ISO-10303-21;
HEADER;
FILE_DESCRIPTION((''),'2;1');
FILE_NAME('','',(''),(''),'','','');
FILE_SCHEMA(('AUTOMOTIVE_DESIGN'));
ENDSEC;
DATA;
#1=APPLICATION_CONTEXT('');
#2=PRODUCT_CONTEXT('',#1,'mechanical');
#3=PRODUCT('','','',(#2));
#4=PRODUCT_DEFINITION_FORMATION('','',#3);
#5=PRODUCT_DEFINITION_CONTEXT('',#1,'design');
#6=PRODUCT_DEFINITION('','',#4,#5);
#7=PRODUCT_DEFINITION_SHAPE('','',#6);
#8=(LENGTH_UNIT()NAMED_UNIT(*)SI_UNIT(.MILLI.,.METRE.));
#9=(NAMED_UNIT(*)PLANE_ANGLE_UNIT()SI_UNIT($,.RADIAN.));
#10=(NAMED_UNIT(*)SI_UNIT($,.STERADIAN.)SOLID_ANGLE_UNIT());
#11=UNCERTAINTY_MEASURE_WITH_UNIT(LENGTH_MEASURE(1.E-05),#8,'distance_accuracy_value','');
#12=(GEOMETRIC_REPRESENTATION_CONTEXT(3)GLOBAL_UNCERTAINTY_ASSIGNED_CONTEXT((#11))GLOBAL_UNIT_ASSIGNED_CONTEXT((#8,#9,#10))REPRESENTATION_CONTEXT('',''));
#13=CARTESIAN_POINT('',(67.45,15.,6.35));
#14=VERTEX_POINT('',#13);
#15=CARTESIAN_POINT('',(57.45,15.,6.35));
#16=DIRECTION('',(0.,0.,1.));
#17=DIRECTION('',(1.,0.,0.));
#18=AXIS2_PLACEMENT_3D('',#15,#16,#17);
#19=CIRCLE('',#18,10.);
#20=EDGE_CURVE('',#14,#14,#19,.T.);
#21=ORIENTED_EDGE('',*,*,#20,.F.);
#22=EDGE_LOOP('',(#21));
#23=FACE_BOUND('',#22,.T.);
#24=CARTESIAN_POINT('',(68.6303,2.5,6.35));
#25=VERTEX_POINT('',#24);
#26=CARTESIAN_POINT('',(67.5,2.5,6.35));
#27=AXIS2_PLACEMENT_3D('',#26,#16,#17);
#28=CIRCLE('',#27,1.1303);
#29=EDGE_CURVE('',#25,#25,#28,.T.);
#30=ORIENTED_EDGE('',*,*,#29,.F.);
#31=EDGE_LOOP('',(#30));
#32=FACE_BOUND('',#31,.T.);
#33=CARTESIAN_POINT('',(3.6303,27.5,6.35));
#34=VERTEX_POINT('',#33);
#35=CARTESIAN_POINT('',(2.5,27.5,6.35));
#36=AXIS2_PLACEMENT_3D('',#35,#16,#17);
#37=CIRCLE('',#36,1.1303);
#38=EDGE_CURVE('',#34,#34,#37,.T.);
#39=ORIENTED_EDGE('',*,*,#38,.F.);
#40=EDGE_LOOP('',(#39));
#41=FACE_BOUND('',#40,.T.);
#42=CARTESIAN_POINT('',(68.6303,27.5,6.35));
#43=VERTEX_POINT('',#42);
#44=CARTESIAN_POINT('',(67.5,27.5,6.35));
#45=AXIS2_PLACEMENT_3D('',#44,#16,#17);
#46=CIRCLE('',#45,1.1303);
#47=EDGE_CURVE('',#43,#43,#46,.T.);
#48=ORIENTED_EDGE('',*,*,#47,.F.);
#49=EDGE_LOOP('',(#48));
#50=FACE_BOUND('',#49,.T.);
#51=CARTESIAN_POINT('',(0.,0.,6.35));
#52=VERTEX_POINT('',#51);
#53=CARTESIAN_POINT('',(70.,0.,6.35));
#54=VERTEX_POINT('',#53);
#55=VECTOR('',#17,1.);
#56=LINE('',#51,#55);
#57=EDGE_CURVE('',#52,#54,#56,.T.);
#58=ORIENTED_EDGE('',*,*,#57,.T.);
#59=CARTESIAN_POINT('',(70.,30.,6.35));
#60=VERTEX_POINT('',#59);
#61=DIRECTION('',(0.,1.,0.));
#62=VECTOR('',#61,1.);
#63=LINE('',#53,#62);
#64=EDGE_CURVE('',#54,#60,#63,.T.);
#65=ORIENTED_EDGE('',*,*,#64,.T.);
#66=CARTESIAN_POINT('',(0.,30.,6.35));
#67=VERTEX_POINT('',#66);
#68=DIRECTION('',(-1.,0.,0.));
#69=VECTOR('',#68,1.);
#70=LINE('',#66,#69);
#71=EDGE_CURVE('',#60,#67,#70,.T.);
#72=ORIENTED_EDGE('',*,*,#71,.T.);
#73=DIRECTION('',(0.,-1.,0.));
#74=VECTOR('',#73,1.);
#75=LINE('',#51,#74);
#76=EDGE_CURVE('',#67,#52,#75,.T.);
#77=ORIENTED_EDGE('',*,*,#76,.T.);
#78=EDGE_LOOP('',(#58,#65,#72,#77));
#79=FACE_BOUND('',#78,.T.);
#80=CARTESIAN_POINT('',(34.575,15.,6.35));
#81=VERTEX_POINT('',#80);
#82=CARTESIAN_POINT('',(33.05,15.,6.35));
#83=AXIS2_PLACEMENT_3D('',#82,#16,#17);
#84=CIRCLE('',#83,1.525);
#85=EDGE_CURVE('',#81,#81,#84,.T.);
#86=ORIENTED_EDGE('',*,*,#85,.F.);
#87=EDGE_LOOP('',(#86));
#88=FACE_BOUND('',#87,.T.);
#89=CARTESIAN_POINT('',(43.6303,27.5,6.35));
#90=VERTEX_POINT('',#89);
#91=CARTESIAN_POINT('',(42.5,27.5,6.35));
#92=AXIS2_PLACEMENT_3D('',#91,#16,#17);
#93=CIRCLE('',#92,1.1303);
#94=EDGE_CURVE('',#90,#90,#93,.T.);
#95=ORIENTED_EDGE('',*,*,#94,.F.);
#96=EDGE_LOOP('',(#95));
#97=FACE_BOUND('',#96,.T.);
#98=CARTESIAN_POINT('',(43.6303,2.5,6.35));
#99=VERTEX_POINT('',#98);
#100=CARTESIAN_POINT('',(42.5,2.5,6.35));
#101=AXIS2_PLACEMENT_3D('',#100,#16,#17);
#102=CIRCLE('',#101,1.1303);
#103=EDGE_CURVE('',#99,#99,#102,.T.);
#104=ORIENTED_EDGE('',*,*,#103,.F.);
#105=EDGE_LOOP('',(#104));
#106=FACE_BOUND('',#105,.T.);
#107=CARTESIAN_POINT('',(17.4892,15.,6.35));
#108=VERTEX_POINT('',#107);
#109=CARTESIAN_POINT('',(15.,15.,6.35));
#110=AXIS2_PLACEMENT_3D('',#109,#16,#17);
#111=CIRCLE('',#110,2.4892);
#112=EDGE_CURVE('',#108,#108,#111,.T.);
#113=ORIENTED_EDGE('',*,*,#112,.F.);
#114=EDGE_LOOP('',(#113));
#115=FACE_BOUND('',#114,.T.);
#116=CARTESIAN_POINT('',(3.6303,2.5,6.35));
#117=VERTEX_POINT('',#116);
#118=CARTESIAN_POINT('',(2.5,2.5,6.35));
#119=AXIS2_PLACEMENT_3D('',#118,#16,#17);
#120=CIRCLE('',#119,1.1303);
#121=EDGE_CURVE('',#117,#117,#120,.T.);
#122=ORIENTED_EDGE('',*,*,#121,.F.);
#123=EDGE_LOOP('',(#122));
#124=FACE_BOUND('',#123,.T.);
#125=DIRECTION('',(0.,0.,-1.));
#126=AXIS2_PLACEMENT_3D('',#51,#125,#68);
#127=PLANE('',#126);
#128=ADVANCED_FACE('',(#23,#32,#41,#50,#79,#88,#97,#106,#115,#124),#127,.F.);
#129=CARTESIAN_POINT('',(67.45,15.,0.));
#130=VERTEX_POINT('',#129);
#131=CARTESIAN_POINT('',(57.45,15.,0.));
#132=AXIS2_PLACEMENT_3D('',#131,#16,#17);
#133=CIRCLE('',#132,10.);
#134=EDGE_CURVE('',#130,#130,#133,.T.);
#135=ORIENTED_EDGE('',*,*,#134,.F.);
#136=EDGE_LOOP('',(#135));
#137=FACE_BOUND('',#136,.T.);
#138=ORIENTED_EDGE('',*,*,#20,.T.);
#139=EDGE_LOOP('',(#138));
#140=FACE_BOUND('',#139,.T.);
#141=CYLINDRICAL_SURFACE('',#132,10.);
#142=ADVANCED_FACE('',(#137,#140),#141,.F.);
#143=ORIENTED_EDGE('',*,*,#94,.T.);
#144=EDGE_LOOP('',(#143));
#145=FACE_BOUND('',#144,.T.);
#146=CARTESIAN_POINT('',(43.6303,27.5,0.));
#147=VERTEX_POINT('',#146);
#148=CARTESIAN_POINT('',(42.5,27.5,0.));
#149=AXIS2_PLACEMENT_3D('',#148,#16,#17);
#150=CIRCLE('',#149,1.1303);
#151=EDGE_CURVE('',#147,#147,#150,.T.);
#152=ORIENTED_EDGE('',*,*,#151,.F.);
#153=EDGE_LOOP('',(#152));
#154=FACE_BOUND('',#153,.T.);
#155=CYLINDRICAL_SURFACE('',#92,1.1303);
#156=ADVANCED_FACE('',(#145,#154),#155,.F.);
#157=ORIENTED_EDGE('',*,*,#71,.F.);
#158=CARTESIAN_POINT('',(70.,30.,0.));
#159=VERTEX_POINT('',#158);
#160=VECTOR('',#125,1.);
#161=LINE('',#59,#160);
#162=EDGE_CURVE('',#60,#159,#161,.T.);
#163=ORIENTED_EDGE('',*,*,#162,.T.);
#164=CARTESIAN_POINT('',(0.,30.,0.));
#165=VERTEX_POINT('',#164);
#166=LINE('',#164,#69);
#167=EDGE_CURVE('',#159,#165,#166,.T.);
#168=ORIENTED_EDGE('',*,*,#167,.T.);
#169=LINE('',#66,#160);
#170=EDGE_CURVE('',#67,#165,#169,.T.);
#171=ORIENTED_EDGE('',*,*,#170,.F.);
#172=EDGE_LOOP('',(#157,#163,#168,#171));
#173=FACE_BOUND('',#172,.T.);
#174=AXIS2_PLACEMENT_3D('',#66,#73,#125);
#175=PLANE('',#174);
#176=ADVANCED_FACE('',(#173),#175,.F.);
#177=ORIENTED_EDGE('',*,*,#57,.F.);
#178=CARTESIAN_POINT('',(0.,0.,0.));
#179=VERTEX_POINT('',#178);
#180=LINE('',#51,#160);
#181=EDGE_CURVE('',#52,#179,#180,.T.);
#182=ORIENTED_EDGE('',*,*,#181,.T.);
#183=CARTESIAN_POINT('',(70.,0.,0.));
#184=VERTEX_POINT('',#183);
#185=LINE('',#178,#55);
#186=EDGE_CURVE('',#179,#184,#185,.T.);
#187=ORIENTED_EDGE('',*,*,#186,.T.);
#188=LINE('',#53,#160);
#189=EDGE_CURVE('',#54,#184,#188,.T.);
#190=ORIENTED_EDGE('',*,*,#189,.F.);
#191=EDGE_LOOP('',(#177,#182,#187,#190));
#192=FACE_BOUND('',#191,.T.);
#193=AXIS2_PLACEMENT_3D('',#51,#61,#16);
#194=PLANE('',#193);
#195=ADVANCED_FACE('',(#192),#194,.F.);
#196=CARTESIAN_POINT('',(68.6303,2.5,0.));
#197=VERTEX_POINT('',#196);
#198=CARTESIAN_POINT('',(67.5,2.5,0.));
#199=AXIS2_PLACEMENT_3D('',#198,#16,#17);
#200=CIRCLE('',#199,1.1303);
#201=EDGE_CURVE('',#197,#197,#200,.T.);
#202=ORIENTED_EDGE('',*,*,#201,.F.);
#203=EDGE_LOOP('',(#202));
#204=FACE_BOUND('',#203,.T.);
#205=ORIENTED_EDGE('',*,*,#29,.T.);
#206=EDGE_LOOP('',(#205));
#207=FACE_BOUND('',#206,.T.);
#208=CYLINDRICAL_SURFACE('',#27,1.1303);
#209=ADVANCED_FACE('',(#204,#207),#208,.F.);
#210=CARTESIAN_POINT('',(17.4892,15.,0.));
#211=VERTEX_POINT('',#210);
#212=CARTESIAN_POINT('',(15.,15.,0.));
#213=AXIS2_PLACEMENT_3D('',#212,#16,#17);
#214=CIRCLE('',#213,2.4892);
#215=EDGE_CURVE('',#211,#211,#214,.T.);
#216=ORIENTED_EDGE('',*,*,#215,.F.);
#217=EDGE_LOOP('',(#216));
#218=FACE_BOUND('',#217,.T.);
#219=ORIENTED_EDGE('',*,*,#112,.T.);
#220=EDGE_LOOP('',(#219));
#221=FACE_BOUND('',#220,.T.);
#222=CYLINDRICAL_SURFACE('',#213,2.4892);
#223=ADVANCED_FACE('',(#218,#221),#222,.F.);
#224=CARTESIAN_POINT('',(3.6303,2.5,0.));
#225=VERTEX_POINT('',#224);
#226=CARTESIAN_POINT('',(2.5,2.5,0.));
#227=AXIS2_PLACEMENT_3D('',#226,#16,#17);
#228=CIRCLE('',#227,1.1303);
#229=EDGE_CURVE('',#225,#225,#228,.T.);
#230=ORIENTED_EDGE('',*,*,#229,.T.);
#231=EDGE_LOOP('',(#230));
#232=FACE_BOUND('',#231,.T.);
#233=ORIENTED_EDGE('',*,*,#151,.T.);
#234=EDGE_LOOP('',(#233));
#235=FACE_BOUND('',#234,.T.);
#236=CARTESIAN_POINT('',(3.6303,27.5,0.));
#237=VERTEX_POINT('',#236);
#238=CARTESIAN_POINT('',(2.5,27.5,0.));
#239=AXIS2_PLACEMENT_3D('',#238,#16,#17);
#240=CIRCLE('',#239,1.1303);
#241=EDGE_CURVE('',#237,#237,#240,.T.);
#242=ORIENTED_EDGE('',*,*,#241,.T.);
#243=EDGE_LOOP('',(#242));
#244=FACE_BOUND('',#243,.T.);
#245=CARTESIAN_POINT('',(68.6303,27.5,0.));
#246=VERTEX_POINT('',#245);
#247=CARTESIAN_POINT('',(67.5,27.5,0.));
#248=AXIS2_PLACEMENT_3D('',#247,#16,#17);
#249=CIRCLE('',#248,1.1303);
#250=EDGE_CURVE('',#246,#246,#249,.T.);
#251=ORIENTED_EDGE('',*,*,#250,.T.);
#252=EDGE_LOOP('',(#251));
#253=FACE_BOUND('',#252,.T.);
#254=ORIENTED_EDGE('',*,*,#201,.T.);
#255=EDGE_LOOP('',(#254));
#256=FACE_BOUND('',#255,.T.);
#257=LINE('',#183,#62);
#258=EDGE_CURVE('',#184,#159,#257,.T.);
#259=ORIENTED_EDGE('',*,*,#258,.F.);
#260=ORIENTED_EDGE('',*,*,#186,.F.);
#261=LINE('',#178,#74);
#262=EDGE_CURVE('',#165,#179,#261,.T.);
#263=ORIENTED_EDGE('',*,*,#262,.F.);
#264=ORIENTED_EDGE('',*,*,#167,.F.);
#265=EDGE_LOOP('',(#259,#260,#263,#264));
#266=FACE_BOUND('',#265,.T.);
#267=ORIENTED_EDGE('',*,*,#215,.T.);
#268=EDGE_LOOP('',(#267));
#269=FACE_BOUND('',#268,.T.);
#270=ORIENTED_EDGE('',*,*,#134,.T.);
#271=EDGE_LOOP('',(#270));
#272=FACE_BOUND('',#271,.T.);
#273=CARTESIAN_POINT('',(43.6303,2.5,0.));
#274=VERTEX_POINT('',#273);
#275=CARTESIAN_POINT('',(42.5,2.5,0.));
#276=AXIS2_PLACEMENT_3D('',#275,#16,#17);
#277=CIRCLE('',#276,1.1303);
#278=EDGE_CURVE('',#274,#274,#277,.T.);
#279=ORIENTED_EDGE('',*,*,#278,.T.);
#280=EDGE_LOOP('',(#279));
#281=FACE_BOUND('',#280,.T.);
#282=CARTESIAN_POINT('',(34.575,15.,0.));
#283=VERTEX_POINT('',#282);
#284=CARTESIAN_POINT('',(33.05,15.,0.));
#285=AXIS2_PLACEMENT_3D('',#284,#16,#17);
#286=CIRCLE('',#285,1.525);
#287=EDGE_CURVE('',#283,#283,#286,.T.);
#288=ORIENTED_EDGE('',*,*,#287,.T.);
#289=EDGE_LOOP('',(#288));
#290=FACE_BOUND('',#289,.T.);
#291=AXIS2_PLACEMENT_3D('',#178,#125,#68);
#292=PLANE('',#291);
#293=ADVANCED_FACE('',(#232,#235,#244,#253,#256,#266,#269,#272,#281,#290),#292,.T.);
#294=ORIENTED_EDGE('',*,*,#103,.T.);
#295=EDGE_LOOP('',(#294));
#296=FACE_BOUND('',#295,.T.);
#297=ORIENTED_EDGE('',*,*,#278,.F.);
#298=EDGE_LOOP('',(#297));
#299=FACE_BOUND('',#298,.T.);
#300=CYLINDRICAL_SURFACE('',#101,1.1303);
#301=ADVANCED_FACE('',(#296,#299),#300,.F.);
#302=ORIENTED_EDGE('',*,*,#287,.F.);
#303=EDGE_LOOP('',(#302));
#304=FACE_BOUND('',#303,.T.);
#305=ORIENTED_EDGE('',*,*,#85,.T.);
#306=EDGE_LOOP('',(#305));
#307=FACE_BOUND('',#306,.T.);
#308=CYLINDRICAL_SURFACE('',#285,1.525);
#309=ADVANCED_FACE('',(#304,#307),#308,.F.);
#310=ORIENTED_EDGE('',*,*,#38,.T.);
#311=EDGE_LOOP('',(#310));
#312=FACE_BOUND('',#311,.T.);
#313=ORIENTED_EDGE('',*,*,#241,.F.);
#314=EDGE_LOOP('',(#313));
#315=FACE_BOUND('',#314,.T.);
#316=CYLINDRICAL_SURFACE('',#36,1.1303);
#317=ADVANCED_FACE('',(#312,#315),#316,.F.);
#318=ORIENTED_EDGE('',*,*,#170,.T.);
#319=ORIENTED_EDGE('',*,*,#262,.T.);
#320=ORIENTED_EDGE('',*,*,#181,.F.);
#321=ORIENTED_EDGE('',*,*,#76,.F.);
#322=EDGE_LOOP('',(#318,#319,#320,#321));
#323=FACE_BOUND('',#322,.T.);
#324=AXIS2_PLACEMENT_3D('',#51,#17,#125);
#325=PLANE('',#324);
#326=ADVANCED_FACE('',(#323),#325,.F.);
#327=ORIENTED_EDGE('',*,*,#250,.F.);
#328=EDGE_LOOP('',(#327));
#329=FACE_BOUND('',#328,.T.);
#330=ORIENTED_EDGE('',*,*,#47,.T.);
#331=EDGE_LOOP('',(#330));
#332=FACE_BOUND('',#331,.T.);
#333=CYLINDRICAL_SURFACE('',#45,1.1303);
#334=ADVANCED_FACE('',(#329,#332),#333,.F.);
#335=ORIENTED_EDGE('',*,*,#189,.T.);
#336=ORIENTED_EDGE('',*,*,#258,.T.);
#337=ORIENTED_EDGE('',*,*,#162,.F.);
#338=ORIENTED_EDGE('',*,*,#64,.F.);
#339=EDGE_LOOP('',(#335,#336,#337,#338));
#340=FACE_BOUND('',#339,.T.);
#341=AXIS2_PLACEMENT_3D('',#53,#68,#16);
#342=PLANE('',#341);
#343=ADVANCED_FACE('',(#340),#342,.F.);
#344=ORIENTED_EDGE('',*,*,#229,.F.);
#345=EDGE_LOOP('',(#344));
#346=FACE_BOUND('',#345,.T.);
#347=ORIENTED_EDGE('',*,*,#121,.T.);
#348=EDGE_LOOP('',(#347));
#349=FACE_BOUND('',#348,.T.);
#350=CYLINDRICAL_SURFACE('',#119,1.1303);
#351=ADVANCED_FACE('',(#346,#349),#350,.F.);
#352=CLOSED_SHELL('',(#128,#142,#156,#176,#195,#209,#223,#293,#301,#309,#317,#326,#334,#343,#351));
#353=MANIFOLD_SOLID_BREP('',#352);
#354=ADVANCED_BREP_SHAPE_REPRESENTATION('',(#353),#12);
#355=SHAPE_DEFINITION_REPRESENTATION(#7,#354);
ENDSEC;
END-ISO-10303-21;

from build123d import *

# Parameters (mm, degrees)
SKETCH1_W             = 70
SKETCH1_H             = 30
BOSS_EXTRUDE1_DEPTH   = 6.35
F_2_CLEARANCE_HOLE1_D = 2.2606
SKETCH4_R             = 10
SKETCH4_R_2           = 2.4892
SKETCH4_R_3           = 1.525
CUT_EXTRUDE1_DEPTH    = 77.422002722


with BuildPart() as part:
    # Sketch1 → Boss-Extrude1 (new body)
    with BuildSketch(Plane.XY):
        with Locations((35, 15)):
            Rectangle(SKETCH1_W, SKETCH1_H)
    extrude(amount=BOSS_EXTRUDE1_DEPTH)

    # #2 Clearance Hole1 (through all)
    with Locations(Plane.XY.offset(6.35)):
        with Locations((2.5, 27.5), (42.5, 27.5), (67.5, 27.5), (67.5, 2.5), (42.5, 2.5), (2.5, 2.5)):
            Hole(F_2_CLEARANCE_HOLE1_D / 2)

    # Sketch4 → Cut-Extrude1 (cut, through all)
    with BuildSketch(Plane.XY.offset(6.35)):
        with Locations((57.45, 15)):
            Circle(SKETCH4_R)
        with Locations((15, 15)):
            Circle(SKETCH4_R_2)
        with Locations((33.05, 15)):
            Circle(SKETCH4_R_3)
    extrude(amount=-CUT_EXTRUDE1_DEPTH, mode=Mode.SUBTRACT)


solid = part.part
